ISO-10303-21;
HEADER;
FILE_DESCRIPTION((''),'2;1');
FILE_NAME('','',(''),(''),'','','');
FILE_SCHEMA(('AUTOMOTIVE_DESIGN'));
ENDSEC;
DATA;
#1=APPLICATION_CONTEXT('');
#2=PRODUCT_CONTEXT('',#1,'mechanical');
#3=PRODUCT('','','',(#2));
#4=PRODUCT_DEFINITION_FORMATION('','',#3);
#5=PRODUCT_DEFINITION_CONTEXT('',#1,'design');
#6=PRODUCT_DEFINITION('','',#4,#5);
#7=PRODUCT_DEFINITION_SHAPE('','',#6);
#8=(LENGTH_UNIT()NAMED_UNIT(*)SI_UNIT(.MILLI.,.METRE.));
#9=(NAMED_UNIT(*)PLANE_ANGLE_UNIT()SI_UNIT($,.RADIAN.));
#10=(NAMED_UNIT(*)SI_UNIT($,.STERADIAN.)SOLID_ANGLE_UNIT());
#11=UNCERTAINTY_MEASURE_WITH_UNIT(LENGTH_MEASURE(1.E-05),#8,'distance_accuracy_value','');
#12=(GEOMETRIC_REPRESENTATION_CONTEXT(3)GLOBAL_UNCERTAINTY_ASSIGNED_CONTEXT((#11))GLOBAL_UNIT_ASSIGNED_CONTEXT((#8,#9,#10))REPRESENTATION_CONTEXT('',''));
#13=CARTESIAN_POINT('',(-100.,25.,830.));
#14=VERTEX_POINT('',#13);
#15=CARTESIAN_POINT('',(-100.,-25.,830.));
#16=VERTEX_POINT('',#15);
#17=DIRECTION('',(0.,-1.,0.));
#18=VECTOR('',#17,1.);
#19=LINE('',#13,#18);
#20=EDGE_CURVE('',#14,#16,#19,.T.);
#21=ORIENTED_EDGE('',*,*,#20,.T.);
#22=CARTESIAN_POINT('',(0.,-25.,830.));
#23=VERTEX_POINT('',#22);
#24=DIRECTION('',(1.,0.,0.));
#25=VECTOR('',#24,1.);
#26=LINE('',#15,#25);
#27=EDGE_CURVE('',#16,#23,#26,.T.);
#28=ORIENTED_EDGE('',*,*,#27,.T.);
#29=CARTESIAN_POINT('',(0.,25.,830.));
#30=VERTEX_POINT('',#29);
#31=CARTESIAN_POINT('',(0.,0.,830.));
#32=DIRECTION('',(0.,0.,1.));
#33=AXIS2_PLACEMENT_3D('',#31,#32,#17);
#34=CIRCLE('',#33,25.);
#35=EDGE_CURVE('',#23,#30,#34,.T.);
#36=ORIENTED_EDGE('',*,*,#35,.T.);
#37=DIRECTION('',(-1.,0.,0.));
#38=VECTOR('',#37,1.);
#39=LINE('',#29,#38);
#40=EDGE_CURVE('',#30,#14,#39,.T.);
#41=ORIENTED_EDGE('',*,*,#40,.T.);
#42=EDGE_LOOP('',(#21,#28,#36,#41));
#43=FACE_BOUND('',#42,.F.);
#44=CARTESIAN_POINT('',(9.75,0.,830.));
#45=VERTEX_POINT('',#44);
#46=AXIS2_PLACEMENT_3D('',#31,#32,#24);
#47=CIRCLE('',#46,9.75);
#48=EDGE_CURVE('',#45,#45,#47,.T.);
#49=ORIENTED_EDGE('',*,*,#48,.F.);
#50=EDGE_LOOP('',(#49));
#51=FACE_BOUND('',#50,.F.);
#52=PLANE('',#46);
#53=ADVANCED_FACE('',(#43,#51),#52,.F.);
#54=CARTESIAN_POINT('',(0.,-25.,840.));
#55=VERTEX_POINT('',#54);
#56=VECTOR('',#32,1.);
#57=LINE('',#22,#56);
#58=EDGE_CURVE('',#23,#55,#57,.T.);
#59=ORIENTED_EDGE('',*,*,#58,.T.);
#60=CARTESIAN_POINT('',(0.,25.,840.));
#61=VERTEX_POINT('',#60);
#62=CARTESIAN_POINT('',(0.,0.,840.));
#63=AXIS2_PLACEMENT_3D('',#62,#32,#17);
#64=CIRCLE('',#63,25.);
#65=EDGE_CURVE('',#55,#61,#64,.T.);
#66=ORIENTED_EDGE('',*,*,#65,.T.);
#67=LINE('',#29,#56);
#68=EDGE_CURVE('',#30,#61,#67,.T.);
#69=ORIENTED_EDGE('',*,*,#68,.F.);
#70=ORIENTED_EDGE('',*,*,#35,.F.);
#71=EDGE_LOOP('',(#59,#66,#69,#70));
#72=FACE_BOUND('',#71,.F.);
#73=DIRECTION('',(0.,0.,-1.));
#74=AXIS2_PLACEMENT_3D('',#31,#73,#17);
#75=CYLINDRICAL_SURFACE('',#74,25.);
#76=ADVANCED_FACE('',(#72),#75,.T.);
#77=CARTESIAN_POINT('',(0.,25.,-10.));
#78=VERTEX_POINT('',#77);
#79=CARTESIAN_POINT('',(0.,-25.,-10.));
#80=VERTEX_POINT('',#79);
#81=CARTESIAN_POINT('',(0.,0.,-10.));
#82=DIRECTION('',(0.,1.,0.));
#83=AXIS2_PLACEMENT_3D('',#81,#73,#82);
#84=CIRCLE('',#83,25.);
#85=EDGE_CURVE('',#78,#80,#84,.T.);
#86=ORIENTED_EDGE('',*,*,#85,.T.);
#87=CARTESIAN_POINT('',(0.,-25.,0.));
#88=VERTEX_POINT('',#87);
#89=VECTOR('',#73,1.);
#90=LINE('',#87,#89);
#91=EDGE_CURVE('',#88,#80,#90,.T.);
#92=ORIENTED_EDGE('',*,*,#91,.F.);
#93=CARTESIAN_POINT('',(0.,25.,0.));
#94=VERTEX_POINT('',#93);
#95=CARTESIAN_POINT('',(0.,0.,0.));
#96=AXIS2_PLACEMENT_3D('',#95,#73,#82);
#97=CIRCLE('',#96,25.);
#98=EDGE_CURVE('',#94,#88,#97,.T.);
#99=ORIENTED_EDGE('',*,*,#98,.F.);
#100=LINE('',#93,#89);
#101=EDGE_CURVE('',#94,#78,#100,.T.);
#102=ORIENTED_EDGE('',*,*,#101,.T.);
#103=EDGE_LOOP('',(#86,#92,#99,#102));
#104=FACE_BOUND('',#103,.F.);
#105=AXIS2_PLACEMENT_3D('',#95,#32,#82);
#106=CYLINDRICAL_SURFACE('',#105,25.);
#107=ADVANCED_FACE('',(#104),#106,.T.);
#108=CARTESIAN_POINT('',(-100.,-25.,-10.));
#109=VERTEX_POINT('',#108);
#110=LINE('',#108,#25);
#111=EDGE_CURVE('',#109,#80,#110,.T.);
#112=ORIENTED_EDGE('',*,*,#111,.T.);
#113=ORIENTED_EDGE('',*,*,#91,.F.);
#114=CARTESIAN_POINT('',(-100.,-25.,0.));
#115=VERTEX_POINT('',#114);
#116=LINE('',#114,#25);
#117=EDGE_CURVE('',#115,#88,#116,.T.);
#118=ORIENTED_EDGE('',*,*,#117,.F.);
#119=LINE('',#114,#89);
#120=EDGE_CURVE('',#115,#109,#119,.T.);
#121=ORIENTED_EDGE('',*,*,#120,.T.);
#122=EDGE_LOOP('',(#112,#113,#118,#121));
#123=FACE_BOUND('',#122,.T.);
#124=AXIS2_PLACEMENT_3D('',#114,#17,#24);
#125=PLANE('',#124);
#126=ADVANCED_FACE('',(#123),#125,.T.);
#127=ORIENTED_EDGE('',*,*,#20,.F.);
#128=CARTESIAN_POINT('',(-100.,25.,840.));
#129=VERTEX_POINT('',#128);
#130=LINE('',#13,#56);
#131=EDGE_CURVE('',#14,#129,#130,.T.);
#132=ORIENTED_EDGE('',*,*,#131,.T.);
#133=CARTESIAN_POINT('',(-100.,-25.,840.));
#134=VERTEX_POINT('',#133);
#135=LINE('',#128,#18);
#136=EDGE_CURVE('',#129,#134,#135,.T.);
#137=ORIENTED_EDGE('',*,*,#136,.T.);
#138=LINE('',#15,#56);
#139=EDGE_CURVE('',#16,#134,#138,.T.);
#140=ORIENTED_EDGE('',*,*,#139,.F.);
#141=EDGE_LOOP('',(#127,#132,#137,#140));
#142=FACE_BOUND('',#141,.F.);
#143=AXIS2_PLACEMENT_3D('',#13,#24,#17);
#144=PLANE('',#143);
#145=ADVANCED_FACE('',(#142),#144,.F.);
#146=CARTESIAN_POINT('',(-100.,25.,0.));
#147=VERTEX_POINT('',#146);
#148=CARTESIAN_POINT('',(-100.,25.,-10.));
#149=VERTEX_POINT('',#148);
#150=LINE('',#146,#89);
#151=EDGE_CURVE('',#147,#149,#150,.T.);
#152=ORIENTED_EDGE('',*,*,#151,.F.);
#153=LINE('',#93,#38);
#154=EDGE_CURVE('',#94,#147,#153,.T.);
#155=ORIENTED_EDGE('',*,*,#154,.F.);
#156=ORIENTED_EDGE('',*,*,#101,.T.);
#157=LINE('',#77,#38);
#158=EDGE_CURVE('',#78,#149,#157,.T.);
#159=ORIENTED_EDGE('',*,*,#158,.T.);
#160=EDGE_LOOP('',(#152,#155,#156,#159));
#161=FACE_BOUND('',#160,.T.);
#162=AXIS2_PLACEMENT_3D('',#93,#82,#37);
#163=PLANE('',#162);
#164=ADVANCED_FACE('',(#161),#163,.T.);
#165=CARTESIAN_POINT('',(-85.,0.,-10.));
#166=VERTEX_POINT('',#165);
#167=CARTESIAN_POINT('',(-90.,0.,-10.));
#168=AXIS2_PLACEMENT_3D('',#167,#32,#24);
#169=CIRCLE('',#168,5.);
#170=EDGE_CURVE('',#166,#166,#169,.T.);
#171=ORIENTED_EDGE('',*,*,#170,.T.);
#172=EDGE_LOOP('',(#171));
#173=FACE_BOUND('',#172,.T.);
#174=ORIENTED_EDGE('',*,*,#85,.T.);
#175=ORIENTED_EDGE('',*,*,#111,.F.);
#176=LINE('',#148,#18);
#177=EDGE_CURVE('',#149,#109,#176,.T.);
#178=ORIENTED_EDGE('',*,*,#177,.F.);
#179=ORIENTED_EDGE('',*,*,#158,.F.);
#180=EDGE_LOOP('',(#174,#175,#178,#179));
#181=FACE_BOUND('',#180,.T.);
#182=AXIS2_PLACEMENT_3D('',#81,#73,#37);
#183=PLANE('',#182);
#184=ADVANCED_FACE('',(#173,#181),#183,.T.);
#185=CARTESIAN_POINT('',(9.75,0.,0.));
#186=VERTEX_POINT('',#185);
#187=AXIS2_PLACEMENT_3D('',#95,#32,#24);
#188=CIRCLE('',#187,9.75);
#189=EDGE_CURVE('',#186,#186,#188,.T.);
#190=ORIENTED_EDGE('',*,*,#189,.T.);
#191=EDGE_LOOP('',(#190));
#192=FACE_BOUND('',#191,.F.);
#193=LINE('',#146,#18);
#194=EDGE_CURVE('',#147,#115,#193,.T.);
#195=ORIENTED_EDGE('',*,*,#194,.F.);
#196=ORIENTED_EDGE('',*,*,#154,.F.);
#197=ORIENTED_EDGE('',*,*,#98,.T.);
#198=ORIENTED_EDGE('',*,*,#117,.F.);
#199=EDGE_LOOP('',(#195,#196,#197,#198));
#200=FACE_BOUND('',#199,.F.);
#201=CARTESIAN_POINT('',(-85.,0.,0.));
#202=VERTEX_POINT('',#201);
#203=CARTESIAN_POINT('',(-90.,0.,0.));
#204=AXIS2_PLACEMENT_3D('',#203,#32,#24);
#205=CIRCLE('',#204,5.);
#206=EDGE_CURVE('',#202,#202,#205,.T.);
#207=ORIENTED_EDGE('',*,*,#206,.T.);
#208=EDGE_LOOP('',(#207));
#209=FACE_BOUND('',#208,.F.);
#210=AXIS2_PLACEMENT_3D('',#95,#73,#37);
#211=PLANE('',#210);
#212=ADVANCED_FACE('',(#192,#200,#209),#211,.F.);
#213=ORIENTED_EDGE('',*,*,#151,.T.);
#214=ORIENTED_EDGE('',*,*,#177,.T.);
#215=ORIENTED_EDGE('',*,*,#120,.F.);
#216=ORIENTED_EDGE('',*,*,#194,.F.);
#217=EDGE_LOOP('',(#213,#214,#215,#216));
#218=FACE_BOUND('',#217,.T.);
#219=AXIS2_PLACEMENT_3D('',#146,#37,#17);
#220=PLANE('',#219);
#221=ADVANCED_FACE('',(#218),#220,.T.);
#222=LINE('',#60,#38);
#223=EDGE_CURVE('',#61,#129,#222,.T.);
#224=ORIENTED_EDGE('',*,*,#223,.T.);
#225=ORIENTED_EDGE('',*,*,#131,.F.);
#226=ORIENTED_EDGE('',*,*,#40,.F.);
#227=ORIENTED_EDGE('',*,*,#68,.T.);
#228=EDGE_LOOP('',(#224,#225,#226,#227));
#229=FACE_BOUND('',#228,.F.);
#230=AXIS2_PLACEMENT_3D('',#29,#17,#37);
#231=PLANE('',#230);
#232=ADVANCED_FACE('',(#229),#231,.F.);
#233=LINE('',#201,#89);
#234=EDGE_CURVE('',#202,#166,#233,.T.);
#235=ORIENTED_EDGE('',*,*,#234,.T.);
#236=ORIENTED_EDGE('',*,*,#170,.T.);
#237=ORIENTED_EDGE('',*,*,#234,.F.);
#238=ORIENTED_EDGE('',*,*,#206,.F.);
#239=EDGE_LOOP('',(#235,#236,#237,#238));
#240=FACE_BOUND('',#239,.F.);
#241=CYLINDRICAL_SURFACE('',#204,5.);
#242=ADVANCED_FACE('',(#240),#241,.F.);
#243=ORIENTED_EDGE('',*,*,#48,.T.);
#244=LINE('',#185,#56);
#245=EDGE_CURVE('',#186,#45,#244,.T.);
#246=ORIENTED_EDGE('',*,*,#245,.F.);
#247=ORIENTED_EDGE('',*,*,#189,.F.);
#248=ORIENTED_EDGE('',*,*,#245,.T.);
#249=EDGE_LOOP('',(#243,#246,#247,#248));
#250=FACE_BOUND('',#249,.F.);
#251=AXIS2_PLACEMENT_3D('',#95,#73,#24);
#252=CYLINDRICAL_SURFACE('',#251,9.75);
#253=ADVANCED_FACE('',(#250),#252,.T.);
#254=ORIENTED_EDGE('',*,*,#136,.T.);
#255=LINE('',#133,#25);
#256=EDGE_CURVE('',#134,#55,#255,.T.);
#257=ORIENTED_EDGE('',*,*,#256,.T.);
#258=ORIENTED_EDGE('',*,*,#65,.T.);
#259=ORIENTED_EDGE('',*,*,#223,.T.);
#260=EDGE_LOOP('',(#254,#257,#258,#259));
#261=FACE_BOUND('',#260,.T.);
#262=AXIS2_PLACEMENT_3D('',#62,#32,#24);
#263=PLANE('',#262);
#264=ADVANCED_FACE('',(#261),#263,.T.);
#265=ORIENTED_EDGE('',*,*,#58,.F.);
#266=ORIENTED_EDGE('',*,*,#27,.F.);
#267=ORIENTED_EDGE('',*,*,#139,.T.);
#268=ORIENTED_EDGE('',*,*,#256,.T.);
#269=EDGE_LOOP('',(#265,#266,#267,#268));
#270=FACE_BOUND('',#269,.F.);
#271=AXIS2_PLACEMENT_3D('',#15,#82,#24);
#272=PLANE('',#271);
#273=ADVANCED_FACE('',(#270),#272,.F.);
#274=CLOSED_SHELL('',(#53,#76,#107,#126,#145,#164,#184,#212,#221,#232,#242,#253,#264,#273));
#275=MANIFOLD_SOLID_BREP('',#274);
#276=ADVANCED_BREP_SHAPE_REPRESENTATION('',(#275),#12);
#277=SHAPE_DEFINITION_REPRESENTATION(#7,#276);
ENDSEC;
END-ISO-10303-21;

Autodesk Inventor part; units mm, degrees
ref_plane "YZ Plane" through (0, 0, 0) normal (1, 0, 0) x (0, 1, 0)
ref_plane "XZ Plane" through (0, 0, 0) normal (0, 1, 0) x (-1, 0, 0)
ref_plane "XY Plane" through (0, 0, 0) normal (0, 0, 1) x (1, 0, 0)
sketch "Skizze1" plane through (0, 0, 0) normal (0, 0, 1) x (1, 0, 0)
  circle A0 centre (0, 0) radius 9.75
  dimension "d0" = 19.5
extrude "Extrusion1" add sketch "Skizze1" along normal blind 830
sketch "Skizze4" plane through (0, 0, 830) normal (0, 0, 1) x (1, 0, 0)
  arc A0 (0, -25) -> (0, 25) centre (0, 0) ccw
  line L0 (0, 0) -> (0, -25) construction
  line L1 (0, 0) -> (0, 27.5151) construction
  line L2 (0, 25) -> (-100, 25)
  line L3 (-100, 25) -> (-100, -25)
  line L4 (-100, -25) -> (0, -25)
  point P0 (0, 25)
  dimension "d9" = 180
  dimension "d10" = 100
  dimension "d11" = 50
  dimension "d12" = 25
extrude "Extrusion4" add sketch "Skizze4" along normal blind 10
sketch "Skizze5" plane through (0, 0, 0) normal (0, 0, -1) x (-1, 0, 0)
  arc A0 (0, 25) -> (0, -25) centre (0, 0) ccw
  line L0 (0, 25) -> (100, 25)
  line L1 (100, 25) -> (100, -25)
  line L2 (100, -25) -> (0, -25)
  dimension "d15" = 25
  dimension "d16" = 0
  dimension "d17" = 0
  dimension "d18" = 100
  dimension "d19" = 50
  dimension "d20" = 90
extrude "Extrusion5" add sketch "Skizze5" along normal blind 10
sketch "Skizze6" plane through (0, 0, 0) normal (0, 0, 1) x (1, 0, 0)
  circle A0 centre (-90, 0) radius 5
  line L0 (-100, 25) -> (0, 25) projected
  line L1 (-100, -25) -> (-100, 25) projected
  point P0 (0, 0)
  dimension "d23" = 10
  dimension "d24" = 25
  dimension "d25" = 10
extrude "Extrusion6" cut sketch "Skizze6" against normal up to surface (10 mm away)
properties part number "LenkungHinten"
